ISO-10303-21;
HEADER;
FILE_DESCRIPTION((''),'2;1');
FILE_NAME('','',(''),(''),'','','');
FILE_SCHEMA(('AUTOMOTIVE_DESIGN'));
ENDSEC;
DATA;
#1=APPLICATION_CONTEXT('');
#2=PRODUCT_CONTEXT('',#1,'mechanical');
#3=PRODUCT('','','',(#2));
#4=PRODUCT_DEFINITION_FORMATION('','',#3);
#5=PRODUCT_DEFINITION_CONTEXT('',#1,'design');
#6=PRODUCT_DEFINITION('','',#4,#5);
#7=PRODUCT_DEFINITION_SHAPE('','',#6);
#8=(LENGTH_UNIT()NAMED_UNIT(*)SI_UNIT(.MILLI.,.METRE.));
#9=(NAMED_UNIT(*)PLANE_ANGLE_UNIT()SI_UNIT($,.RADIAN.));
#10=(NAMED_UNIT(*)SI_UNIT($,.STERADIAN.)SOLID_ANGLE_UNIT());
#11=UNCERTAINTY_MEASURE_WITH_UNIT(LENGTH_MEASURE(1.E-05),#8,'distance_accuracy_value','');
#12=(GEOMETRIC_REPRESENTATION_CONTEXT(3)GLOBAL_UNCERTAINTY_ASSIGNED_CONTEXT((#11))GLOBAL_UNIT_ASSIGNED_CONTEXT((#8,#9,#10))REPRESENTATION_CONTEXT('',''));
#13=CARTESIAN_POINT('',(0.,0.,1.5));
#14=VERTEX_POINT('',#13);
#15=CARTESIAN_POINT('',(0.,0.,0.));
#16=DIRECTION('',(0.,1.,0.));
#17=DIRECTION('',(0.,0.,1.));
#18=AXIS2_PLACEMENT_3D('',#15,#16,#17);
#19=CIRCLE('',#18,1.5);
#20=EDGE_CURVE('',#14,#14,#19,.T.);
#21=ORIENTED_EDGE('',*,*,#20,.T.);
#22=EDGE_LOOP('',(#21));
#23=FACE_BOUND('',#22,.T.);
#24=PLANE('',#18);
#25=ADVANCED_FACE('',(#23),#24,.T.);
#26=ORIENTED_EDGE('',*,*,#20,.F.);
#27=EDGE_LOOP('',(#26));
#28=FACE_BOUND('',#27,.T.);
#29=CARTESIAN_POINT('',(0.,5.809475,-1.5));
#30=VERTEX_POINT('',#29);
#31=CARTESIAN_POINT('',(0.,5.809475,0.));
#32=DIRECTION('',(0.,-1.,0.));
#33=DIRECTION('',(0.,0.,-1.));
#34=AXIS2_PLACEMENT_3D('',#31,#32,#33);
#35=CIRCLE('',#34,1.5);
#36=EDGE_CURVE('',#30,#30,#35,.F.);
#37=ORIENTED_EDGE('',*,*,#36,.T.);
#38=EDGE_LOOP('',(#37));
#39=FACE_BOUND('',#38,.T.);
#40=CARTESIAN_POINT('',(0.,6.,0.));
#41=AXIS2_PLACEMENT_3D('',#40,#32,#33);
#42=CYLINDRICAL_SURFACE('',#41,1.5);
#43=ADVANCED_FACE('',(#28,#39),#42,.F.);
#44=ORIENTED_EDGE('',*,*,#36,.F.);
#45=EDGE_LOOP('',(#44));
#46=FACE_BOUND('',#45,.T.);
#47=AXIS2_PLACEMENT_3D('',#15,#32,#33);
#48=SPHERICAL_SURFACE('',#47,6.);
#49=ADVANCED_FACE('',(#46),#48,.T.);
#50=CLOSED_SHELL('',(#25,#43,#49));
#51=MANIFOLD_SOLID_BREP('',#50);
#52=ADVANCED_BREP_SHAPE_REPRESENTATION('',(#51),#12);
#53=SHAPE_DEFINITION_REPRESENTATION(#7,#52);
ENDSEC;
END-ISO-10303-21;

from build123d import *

# Parameters (mm, degrees)
SKETCH2_R          = 1.5
CUT_EXTRUDE1_DEPTH = 7


with BuildPart() as part:
    # Sketch1 one side → Revolve3 (revolve)
    with BuildSketch(Plane(origin=(0, 0, 0), x_dir=(1, 0, 0), z_dir=(0, 1, 0))):
        with BuildLine():
            ThreePointArc((0, -6), (4.242640687, -4.242640687), (6, 0))
            ThreePointArc((6, 0), (4.242640687, 4.242640687), (0, 6))
            Line((0, 6), (0, -6))
        make_face()
    revolve(axis=Axis((0, 0, -11.594924131), (0, 0, 1)))

    # Sketch2 → Cut-Extrude1 (cut, through all)
    with BuildSketch(Plane(origin=(0, 0, 0), x_dir=(1, 0, 0), z_dir=(0, 1, 0))):
        Circle(SKETCH2_R)
    extrude(amount=CUT_EXTRUDE1_DEPTH, mode=Mode.SUBTRACT)


solid = part.part
